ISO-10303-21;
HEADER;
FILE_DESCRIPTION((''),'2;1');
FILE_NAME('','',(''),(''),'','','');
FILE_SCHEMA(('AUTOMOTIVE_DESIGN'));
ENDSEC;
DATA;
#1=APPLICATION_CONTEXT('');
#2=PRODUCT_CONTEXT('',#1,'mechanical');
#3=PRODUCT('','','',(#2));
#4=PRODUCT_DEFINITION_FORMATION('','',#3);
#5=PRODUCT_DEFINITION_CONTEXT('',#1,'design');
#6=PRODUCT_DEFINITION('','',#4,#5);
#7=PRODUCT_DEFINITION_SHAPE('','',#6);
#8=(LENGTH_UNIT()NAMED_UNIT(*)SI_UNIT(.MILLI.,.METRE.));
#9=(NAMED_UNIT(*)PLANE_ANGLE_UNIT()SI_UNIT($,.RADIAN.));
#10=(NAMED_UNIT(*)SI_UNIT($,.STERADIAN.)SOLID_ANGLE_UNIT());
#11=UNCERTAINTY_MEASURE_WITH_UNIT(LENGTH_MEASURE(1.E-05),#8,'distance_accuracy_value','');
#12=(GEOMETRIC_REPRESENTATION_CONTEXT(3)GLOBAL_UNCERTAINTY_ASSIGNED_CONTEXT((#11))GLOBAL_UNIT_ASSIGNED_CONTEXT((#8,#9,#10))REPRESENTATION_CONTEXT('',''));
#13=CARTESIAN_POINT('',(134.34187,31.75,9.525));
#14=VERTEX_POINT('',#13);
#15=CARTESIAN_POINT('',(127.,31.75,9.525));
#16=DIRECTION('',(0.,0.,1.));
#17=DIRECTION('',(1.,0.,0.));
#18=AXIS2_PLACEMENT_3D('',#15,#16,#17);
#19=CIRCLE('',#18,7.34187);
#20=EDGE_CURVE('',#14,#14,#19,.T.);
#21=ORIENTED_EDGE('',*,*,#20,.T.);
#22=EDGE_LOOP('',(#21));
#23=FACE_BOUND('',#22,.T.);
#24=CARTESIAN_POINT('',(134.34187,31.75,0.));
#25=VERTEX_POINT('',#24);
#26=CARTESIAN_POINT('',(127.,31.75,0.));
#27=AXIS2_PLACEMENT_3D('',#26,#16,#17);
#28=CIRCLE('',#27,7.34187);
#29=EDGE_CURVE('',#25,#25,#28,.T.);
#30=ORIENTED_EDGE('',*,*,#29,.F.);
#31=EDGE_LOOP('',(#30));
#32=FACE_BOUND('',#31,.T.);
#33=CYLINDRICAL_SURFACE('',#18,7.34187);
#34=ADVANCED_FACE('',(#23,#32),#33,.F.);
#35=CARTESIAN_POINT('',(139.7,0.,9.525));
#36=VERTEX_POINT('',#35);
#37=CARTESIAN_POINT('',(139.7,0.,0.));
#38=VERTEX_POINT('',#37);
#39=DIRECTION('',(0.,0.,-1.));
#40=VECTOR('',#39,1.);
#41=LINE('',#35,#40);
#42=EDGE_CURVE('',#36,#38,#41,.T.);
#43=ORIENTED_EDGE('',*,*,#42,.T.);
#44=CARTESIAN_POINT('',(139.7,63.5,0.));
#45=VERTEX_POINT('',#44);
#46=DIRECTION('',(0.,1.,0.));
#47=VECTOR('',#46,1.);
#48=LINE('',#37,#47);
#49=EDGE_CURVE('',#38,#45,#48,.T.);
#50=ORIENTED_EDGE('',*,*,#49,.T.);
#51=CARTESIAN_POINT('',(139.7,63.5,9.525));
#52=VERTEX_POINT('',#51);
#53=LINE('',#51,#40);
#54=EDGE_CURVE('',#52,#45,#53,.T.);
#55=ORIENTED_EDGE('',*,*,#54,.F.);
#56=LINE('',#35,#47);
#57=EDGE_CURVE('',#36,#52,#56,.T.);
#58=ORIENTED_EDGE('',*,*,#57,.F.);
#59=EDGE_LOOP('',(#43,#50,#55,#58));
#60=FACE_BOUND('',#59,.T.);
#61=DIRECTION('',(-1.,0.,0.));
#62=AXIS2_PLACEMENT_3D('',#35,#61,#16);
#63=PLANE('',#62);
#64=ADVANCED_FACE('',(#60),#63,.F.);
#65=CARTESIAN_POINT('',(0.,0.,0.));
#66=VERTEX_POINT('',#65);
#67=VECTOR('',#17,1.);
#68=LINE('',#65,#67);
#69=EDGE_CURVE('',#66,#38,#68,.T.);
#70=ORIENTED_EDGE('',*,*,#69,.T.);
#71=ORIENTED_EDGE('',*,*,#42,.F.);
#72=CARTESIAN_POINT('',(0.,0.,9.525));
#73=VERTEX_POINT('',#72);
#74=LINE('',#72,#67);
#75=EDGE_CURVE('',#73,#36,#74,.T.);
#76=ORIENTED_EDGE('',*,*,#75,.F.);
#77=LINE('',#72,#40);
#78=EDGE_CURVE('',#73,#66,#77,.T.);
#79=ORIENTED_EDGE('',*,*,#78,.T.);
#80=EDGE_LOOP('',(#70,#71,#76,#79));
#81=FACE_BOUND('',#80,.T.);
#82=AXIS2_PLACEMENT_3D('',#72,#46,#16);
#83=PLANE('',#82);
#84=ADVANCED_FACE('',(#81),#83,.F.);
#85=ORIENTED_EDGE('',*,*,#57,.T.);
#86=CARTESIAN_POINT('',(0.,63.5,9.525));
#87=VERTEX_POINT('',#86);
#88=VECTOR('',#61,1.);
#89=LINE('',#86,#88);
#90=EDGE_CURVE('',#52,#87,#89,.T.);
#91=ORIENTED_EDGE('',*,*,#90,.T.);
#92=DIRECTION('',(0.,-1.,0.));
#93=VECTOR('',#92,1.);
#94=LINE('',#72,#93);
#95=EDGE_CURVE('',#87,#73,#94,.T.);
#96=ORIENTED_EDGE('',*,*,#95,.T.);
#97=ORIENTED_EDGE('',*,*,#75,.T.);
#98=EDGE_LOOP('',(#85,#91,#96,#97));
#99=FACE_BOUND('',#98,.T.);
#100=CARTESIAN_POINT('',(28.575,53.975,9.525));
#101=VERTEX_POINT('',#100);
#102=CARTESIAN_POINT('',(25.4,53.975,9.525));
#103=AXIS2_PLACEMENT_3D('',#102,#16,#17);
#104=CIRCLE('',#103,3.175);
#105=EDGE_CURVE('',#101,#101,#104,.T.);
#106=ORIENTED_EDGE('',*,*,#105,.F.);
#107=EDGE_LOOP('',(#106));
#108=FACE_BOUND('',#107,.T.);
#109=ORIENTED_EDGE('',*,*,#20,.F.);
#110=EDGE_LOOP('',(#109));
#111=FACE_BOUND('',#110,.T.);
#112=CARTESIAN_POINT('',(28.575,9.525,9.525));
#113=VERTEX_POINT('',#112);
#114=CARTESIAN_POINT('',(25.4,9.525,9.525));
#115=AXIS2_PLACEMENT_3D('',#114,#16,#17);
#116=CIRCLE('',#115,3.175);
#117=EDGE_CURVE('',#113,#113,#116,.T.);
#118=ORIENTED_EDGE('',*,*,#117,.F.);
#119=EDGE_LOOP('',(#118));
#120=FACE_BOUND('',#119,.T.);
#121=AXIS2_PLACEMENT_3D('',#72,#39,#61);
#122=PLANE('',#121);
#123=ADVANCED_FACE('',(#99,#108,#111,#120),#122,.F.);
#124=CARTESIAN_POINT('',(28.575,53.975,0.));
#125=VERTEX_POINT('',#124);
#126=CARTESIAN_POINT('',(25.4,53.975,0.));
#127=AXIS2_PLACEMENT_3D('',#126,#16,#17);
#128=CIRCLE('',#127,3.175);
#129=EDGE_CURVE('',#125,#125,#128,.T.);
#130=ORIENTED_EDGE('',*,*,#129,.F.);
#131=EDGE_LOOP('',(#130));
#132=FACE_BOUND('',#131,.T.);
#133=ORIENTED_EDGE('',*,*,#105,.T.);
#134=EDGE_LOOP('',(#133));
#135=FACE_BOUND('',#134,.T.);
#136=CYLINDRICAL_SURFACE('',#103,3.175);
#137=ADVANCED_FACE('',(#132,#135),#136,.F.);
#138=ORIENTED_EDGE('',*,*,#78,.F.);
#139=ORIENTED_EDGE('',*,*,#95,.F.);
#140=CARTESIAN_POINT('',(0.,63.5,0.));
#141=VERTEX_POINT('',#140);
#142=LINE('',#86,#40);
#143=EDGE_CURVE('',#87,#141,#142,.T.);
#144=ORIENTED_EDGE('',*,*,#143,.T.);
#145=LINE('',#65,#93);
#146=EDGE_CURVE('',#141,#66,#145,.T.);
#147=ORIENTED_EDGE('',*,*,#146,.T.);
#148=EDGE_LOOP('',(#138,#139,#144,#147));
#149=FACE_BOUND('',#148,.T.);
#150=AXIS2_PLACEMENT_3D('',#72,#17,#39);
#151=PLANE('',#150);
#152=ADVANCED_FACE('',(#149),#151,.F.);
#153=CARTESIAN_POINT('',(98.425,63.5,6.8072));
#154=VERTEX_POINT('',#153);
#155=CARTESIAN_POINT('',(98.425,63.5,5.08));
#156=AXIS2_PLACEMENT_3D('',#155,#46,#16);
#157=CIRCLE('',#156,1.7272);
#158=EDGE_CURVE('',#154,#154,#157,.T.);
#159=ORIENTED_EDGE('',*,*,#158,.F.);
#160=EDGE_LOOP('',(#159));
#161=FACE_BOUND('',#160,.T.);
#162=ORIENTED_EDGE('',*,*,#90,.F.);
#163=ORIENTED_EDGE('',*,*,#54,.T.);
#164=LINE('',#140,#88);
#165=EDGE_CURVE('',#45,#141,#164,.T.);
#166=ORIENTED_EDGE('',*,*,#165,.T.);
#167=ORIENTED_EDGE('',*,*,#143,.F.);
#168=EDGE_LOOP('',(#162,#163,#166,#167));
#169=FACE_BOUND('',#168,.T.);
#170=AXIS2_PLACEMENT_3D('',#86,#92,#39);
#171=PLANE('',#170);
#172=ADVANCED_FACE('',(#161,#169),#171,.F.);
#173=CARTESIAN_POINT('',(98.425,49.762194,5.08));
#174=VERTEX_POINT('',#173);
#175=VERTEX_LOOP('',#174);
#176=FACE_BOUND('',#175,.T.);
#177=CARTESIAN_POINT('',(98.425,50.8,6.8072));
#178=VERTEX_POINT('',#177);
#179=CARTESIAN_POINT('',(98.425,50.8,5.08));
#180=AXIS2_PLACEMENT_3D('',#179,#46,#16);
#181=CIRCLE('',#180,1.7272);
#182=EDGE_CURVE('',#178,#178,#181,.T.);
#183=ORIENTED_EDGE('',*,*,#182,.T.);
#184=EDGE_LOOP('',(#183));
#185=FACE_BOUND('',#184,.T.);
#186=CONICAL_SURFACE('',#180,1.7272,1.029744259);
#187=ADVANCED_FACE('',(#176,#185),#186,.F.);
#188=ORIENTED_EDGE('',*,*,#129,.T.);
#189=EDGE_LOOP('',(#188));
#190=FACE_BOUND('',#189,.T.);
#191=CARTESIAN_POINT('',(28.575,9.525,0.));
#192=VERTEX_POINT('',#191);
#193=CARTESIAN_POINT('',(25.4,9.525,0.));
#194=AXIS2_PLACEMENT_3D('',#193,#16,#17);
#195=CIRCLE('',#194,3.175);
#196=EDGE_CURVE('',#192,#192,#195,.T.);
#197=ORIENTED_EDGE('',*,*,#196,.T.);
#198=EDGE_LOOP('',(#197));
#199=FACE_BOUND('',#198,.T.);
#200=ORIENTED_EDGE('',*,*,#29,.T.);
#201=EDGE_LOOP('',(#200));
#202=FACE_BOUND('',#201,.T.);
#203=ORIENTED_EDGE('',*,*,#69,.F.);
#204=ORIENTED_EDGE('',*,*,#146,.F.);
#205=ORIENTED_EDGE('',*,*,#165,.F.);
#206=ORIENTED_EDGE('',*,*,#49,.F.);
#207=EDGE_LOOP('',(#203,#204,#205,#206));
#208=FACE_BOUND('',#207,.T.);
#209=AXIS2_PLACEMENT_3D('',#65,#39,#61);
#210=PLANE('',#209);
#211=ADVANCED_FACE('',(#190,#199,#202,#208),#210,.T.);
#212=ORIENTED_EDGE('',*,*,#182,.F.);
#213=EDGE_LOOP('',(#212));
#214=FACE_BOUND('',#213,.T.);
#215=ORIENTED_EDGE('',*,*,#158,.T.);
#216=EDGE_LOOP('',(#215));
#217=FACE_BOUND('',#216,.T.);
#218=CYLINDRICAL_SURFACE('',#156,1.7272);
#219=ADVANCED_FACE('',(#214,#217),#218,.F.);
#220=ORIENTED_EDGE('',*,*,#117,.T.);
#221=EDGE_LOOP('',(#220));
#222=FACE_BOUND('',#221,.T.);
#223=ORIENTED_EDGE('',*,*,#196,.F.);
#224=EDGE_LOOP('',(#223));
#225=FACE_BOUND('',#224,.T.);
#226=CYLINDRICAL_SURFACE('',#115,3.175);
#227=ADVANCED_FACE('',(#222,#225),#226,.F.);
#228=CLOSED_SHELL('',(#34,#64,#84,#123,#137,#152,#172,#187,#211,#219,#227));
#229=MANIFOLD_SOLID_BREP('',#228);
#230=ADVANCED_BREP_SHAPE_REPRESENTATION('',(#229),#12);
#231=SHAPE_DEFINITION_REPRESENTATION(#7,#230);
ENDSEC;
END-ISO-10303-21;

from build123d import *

# Parameters (mm, degrees)
SKETCH1_W                   = 139.7
SKETCH1_H                   = 63.5
BOSS_EXTRUDE1_DEPTH         = 9.525
F_5_8_18_TAPPED_HOLE1_D     = 14.68374
F_1_4_0_25_DIAMETER_HOLE1_D = 6.35
F_8_32_TAPPED_HOLE1_D       = 3.4544
F_8_32_TAPPED_HOLE1_DEPTH   = 12.7
F_8_32_TAPPED_HOLE1_TIP     = 1.037806461


with BuildPart() as part:
    # Sketch1 → Boss-Extrude1 (new body)
    with BuildSketch(Plane.XY):
        with Locations((69.85, 31.75)):
            Rectangle(SKETCH1_W, SKETCH1_H)
    extrude(amount=BOSS_EXTRUDE1_DEPTH)

    # 5/8-18 Tapped Hole1 (through all)
    with Locations(Plane.XY.offset(9.525)):
        with Locations((127, 31.75)):
            Hole(F_5_8_18_TAPPED_HOLE1_D / 2)

    # 1/4 (0.25) Diameter Hole1 (through all)
    with Locations(Plane(origin=(25.4, 53.975, 9.525), x_dir=(1, 0, 0), z_dir=(0, 0, 1))):
        with Locations((0, 0), (0, -44.45)):
            Hole(F_1_4_0_25_DIAMETER_HOLE1_D / 2)

    # #8-32 Tapped Hole1
    with Locations(Plane(origin=(98.425, 63.5, 5.08), x_dir=(0, 0, 1), z_dir=(0, 1, 0))):
        with Locations((0, 0)):
            Hole(F_8_32_TAPPED_HOLE1_D / 2, depth=F_8_32_TAPPED_HOLE1_DEPTH)
            with Locations((0, 0, -(F_8_32_TAPPED_HOLE1_DEPTH + F_8_32_TAPPED_HOLE1_TIP / 2))):  # 118° drill point
                Cone(0, F_8_32_TAPPED_HOLE1_D / 2, F_8_32_TAPPED_HOLE1_TIP, mode=Mode.SUBTRACT)


solid = part.part
